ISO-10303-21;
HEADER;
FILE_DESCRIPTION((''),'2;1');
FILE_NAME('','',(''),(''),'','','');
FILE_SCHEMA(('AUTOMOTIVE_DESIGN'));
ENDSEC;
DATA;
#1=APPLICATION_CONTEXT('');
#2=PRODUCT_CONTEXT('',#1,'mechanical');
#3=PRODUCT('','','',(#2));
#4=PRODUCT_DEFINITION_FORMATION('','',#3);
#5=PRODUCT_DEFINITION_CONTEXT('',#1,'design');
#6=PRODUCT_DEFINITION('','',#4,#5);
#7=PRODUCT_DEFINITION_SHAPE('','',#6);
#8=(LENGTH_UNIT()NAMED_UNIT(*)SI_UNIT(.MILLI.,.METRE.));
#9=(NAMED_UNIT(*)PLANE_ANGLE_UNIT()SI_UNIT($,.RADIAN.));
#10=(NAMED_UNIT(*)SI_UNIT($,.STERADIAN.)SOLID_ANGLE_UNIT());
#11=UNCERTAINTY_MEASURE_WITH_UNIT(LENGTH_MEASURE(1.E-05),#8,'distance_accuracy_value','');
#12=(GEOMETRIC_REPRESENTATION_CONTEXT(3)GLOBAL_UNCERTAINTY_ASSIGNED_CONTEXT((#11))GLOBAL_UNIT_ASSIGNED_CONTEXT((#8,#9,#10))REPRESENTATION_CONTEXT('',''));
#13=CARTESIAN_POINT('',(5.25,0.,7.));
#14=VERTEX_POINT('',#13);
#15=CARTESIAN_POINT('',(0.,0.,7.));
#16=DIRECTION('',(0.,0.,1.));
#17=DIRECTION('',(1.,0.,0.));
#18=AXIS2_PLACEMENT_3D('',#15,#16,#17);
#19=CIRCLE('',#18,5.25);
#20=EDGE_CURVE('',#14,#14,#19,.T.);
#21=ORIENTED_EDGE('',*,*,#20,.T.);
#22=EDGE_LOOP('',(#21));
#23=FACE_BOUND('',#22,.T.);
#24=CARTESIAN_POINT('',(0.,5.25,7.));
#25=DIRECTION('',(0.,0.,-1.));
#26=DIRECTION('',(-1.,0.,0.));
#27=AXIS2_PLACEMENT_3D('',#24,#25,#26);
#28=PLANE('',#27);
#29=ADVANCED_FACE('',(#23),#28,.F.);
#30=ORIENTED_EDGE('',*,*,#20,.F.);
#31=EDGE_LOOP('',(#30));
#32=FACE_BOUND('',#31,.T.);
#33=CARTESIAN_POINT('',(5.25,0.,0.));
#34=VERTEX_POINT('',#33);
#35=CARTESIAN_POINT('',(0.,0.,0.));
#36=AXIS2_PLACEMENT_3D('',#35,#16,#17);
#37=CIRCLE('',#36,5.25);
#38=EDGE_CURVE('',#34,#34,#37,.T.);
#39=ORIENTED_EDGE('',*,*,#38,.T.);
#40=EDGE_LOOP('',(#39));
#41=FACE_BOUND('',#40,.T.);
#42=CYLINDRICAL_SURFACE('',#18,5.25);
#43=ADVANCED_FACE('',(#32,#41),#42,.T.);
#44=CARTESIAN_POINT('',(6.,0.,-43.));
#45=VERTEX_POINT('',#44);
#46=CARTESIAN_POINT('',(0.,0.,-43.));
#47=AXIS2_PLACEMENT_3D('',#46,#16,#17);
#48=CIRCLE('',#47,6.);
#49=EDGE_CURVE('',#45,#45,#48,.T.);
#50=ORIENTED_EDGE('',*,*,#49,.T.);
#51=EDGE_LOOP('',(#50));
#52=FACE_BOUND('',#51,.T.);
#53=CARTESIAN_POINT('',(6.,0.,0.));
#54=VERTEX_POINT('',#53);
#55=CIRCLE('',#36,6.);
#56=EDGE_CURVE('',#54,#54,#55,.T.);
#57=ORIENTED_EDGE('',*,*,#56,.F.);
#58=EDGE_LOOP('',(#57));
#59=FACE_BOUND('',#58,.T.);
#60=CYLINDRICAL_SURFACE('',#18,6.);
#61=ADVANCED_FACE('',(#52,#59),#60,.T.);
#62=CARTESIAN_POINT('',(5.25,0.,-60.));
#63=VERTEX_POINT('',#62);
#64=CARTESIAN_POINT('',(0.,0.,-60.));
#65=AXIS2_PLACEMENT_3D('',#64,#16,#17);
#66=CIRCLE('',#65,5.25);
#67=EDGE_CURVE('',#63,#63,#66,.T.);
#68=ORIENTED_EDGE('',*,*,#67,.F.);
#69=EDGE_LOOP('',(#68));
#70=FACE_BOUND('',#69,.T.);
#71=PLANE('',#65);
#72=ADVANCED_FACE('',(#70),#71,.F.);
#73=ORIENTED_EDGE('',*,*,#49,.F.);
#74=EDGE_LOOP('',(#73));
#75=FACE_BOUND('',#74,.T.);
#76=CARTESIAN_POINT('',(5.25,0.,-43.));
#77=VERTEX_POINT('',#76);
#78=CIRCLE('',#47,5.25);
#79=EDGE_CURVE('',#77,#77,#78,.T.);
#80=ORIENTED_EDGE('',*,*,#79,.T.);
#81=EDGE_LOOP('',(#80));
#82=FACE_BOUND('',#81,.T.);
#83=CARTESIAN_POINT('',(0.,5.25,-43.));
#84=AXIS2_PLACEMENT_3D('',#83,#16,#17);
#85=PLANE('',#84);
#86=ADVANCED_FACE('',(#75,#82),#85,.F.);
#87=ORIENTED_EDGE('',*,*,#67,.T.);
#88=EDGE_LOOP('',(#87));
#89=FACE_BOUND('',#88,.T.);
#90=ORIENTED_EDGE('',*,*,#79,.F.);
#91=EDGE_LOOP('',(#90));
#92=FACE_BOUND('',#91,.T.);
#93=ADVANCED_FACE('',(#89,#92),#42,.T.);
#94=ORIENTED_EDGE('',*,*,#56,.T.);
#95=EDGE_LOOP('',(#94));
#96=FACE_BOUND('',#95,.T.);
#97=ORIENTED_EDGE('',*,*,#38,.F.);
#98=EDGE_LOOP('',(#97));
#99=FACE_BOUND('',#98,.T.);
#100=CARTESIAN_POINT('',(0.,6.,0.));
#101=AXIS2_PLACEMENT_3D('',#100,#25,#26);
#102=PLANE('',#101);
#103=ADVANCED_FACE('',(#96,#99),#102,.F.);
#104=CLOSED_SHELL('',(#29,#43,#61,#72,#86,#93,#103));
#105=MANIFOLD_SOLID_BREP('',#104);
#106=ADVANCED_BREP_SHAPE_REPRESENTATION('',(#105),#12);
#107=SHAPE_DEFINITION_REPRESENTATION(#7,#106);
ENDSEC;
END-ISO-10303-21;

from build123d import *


with BuildPart() as part:
    # Sketch1 → Revolve1 (revolve)
    with BuildSketch(Plane(origin=(0, 0, 0), x_dir=(0, 0, -1), z_dir=(1, 0, 0)), mode=Mode.PRIVATE) as revolve1_sk:
        Polygon((-7, 0), (60, 0), (60, 5.25), (43, 5.25), (43, 6), (0, 6), (0, 5.25), (-7, 5.25), align=None)
    revolve(revolve1_sk.sketch.rotate(Axis((0, 0, 7), (0, 0, -1)), 90), axis=Axis((0, 0, 7), (0, 0, -1)))


solid = part.part
